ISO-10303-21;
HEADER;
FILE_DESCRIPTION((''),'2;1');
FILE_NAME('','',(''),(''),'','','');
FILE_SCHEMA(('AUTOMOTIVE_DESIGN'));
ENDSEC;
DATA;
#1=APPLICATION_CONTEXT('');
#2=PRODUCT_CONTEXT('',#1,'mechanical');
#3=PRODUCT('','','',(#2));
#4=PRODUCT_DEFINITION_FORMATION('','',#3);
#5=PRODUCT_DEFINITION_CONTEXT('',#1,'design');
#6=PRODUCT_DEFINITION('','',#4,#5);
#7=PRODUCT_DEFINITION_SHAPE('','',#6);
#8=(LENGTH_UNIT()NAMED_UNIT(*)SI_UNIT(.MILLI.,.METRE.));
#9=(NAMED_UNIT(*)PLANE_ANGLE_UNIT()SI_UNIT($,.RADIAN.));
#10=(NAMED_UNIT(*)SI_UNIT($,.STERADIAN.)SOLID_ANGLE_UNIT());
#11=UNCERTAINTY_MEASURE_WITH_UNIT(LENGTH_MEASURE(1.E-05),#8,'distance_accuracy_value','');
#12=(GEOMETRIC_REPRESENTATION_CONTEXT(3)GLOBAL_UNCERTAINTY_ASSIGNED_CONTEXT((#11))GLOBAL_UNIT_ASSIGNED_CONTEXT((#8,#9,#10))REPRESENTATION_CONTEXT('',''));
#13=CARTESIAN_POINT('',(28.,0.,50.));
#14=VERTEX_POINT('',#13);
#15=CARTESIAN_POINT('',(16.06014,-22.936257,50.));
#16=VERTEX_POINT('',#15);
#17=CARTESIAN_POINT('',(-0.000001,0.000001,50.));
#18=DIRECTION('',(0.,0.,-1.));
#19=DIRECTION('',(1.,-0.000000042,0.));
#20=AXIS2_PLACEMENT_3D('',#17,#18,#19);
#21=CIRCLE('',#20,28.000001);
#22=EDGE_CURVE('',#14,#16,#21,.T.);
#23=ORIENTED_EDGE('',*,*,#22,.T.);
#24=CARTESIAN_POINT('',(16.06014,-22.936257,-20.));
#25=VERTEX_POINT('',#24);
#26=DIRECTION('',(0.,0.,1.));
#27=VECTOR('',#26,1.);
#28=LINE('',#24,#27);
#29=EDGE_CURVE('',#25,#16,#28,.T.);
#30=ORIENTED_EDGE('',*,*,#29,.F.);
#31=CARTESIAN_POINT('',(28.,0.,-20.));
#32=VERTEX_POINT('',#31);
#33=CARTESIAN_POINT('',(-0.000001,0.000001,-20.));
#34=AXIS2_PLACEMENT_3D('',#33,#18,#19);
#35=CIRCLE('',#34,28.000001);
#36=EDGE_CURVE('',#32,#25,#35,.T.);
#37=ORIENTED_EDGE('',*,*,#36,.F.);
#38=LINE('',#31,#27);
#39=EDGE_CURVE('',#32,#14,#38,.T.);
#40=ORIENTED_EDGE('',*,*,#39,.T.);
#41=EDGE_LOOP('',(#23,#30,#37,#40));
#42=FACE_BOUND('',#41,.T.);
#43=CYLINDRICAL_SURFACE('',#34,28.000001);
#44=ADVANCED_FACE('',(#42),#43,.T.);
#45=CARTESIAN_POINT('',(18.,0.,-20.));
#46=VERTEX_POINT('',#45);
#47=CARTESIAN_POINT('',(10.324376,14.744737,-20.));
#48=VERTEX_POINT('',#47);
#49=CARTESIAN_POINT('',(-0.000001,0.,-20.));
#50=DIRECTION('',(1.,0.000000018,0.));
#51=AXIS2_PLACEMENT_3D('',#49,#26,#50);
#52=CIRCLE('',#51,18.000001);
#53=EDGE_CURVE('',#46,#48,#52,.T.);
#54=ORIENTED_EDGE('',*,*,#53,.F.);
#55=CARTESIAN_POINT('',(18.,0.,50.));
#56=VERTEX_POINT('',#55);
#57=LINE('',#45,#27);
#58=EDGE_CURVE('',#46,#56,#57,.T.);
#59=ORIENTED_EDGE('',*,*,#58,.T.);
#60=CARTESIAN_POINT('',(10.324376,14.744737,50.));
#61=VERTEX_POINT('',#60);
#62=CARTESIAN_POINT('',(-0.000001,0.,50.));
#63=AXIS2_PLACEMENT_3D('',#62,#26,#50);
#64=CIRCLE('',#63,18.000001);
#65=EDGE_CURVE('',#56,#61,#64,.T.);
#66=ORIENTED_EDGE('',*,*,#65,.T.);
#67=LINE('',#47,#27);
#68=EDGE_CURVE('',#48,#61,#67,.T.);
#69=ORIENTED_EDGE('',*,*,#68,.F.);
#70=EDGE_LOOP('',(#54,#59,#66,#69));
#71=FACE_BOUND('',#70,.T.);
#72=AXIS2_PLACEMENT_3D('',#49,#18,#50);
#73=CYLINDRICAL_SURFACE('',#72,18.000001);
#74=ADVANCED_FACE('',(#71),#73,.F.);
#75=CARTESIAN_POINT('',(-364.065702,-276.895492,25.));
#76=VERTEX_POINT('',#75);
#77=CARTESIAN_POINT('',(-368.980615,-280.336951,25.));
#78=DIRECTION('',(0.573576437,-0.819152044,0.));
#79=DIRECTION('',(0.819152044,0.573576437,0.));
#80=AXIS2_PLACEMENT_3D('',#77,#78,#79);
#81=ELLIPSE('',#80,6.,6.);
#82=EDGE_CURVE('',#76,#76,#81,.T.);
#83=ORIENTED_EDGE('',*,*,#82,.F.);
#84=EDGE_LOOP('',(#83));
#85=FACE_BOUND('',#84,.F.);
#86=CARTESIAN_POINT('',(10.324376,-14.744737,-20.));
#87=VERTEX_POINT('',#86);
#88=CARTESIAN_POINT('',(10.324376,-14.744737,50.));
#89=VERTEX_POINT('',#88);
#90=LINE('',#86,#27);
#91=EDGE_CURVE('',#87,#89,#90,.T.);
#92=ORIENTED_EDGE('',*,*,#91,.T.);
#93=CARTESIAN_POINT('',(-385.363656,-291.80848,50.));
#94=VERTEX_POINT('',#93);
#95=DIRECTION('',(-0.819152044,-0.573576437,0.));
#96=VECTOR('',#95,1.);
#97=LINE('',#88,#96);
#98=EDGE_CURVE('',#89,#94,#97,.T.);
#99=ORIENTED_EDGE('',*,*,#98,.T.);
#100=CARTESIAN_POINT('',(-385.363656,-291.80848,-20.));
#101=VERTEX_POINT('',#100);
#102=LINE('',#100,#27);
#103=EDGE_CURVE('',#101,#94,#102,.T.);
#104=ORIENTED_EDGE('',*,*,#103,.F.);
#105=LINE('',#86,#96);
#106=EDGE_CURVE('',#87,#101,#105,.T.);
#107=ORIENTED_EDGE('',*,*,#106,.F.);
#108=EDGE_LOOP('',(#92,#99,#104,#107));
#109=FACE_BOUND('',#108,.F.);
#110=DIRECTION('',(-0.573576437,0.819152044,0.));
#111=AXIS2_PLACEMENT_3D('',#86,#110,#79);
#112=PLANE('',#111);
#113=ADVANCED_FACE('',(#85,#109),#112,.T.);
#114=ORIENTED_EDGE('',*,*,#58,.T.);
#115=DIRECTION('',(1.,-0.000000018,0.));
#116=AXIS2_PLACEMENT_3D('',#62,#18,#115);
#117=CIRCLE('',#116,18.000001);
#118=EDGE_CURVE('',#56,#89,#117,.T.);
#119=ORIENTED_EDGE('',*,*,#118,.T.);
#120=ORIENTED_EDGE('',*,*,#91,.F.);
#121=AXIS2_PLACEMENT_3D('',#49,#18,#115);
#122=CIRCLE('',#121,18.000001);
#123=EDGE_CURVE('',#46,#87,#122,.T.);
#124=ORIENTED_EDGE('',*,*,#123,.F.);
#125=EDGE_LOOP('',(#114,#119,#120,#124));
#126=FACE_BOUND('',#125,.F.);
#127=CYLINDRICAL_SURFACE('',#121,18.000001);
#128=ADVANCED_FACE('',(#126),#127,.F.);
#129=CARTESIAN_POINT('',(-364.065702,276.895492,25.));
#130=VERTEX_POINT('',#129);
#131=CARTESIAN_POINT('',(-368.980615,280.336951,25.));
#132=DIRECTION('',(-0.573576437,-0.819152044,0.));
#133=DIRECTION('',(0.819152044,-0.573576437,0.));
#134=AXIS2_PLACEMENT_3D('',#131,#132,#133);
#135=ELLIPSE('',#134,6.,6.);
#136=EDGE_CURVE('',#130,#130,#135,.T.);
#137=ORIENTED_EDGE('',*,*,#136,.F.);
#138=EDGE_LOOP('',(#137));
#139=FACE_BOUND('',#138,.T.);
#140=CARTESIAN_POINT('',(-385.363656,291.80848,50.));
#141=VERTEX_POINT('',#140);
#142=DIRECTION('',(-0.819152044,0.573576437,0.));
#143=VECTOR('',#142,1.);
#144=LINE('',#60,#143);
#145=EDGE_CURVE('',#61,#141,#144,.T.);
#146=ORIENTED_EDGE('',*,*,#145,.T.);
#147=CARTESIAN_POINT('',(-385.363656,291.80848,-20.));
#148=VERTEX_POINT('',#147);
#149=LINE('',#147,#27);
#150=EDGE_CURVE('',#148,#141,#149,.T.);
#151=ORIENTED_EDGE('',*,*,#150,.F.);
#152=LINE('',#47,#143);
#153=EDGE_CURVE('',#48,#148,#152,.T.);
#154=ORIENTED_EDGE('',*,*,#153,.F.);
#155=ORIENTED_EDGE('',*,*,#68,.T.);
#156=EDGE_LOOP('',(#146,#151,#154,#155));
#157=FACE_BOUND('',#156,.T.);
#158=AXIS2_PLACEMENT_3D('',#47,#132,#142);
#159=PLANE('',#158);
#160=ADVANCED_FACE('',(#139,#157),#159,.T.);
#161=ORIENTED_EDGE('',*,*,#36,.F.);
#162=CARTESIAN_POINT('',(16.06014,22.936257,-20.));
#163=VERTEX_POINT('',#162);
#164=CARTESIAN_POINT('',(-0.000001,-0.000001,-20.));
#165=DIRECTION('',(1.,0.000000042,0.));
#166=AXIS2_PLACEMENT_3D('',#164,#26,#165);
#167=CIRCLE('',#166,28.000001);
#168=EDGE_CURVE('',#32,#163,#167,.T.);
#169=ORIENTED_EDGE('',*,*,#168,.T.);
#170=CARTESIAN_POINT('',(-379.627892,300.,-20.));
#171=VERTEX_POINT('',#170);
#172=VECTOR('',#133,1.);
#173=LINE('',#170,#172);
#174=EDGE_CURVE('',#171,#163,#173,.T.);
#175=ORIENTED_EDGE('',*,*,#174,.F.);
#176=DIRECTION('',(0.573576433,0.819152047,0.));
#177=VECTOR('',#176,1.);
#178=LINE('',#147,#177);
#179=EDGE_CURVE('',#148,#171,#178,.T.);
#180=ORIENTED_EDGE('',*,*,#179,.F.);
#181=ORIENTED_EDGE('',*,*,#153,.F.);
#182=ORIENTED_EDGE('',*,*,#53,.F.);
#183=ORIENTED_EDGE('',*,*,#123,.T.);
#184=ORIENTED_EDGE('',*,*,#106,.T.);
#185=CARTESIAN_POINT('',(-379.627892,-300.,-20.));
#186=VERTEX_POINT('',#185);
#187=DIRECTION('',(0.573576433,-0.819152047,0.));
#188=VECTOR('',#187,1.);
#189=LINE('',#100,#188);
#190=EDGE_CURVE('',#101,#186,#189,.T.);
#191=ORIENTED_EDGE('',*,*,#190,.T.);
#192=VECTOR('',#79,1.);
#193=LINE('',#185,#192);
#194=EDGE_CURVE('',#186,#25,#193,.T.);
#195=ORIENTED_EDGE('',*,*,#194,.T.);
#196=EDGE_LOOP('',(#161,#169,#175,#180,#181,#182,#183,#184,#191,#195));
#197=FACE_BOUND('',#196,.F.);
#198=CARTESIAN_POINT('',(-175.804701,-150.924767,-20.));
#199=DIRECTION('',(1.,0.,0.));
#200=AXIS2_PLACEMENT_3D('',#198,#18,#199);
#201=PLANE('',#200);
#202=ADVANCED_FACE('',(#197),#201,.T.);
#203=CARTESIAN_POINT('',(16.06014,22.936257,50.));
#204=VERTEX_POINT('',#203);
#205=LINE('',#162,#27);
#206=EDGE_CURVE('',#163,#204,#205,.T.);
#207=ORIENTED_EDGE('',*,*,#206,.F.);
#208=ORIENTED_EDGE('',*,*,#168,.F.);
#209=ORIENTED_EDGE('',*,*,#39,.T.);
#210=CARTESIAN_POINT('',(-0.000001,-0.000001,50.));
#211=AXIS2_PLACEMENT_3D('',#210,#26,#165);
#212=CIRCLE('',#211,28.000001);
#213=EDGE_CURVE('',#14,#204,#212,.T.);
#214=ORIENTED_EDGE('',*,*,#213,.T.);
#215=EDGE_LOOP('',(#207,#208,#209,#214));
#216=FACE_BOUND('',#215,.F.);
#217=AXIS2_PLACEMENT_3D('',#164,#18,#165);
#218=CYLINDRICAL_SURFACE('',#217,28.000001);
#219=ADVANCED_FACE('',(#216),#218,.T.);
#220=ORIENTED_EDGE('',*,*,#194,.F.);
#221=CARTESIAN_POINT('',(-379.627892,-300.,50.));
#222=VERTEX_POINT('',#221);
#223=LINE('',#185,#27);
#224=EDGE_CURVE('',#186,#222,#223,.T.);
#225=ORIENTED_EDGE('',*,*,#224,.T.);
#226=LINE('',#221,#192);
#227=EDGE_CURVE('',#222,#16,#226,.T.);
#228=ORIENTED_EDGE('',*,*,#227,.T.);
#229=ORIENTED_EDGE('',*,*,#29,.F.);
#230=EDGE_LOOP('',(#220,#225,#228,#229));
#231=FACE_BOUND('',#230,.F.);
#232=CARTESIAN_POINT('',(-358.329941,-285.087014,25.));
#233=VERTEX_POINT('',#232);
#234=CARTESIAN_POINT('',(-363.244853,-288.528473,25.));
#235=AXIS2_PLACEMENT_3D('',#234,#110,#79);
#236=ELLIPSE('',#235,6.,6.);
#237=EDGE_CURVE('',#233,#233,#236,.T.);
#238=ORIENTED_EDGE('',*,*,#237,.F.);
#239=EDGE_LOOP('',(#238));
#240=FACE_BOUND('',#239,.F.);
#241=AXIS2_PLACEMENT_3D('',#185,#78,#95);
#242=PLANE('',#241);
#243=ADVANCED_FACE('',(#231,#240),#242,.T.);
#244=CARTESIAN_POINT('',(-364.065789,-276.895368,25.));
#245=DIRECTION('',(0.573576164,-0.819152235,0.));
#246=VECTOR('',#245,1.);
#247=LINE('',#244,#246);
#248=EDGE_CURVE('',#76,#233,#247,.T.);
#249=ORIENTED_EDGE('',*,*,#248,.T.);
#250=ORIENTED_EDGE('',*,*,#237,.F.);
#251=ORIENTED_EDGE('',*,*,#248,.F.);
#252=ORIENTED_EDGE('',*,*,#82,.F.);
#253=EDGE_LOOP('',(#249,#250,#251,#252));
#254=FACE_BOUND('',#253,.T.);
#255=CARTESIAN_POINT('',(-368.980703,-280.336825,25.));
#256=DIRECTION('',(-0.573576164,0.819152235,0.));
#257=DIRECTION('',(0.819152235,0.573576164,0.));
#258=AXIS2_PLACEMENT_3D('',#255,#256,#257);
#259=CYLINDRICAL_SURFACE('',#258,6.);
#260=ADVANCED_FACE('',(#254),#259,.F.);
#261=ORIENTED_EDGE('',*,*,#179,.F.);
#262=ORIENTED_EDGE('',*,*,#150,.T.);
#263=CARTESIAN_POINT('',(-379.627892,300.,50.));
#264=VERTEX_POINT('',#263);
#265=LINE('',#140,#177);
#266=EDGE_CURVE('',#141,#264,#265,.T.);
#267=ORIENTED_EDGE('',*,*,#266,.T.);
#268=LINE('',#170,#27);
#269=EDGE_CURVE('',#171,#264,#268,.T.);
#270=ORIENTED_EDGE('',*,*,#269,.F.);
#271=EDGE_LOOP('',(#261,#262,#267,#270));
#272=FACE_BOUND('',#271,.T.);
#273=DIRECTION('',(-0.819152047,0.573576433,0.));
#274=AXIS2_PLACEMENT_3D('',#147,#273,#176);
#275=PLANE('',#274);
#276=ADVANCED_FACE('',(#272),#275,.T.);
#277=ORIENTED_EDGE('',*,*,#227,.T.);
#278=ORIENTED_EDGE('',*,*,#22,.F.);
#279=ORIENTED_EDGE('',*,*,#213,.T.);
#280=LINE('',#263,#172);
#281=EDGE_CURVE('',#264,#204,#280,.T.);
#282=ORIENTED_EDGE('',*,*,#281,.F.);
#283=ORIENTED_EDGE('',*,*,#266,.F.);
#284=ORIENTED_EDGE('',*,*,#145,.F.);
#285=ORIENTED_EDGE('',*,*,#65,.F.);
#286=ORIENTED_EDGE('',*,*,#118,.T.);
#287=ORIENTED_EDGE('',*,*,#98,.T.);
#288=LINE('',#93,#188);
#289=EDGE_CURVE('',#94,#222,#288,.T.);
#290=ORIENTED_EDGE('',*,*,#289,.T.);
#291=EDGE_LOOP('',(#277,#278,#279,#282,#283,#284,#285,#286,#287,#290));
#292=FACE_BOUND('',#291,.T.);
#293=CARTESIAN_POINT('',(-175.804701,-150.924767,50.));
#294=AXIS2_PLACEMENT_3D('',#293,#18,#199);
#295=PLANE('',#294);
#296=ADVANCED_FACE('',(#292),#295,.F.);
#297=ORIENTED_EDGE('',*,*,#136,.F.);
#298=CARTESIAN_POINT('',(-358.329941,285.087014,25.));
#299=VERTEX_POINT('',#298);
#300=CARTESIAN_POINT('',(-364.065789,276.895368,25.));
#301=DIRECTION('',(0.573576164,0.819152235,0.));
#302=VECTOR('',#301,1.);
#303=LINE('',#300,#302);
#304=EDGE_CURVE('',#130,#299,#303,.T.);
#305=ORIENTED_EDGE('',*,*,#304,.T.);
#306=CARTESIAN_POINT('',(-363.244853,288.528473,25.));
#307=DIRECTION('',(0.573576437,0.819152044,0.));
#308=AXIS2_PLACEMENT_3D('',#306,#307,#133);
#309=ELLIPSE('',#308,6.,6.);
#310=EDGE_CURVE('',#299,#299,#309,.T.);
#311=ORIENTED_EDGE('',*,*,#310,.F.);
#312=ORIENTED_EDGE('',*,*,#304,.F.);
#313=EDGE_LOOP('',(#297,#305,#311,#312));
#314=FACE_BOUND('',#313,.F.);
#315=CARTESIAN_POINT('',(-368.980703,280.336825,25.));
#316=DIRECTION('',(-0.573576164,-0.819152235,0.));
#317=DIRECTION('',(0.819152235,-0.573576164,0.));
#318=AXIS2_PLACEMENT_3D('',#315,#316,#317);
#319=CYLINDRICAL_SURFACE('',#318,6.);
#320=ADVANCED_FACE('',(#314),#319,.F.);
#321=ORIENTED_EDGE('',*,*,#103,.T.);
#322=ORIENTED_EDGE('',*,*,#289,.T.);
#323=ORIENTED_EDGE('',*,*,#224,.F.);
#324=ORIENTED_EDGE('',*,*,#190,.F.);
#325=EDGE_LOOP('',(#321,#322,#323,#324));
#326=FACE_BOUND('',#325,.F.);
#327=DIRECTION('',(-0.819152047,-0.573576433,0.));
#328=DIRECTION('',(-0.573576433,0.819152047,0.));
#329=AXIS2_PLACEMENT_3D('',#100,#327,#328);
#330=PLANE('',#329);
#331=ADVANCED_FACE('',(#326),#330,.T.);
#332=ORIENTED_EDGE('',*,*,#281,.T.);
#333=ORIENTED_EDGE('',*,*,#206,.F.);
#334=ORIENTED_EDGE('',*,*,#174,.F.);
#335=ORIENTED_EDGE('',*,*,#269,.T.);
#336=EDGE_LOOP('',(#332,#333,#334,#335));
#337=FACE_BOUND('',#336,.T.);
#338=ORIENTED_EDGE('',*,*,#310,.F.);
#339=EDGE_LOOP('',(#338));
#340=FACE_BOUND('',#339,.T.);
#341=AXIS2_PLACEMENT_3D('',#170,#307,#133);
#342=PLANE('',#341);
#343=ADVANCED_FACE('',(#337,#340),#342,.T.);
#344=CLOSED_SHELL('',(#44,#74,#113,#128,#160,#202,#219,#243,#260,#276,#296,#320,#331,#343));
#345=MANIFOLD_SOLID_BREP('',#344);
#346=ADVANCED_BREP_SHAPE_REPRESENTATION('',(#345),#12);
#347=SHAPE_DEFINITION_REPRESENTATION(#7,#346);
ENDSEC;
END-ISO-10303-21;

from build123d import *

# Parameters (mm, degrees)
PAD002_DEPTH           = 70
SKETCH006_R            = 6
POCKET002_DEPTH        = 30
SKETCH007_R            = 6
POCKET003_DEPTH        = 243.806754
LINEARPATTERN001_COUNT = 4
LINEARPATTERN001_PITCH = 140


with BuildPart() as part:
    # Sketch004 → Pad002 (new body)
    with BuildSketch(Plane.XY):
        with BuildLine():
            Line((-379.627892, 300), (16.06014, 22.936257))
            ThreePointArc((28, 0), (24.836303, 12.928961), (16.06014, 22.936257))
            Line((18, 0), (28, 0))
            ThreePointArc((18, 0), (15.966195, 8.311475), (10.324376, 14.744737))
            Line((10.324376, 14.744737), (-385.363656, 291.80848))
            Line((-385.363656, 291.80848), (-379.627892, 300))
        make_face()
    extrude(amount=PAD002_DEPTH)

    # Sketch006 → Pocket002 (cut)
    with BuildSketch(Plane(origin=(0, 126.75, 0), x_dir=(-1, 0, 0), z_dir=(0, 1, 0))):
        with Locations((26.740569, 25.24131)):
            Circle(SKETCH006_R)
    extrude(amount=-POCKET002_DEPTH, mode=Mode.SUBTRACT)

    # Sketch007 (on Face2 of Pocket002) → Pocket003 (cut, through all)
    with BuildSketch(Plane(origin=(10.324376, 14.744737, 0), x_dir=(0.819152, -0.573576, 0), z_dir=(-0.573576, -0.819152, 0))):
        with Locations((-463.045894, 45)):
            Circle(SKETCH007_R)
    pocket003 = extrude(amount=-POCKET003_DEPTH, mode=Mode.SUBTRACT)

    # LinearPattern001: Pocket003 ×4
    with Locations(*[Vector(-0.819152, 0.573576, 0) * (i * LINEARPATTERN001_PITCH) for i in range(1, LINEARPATTERN001_COUNT)]):
        add(pocket003, mode=Mode.SUBTRACT)

    # Mirrored001: part across XZ


with BuildPart() as part_1:
    add(part.part)
    add(part.part.mirror(Plane.XZ))


with BuildPart() as part_2:
    # Body001 placement: moved
    add(part_1.part.moved(Location((0, 0, -20))))


solid = part_2.part
